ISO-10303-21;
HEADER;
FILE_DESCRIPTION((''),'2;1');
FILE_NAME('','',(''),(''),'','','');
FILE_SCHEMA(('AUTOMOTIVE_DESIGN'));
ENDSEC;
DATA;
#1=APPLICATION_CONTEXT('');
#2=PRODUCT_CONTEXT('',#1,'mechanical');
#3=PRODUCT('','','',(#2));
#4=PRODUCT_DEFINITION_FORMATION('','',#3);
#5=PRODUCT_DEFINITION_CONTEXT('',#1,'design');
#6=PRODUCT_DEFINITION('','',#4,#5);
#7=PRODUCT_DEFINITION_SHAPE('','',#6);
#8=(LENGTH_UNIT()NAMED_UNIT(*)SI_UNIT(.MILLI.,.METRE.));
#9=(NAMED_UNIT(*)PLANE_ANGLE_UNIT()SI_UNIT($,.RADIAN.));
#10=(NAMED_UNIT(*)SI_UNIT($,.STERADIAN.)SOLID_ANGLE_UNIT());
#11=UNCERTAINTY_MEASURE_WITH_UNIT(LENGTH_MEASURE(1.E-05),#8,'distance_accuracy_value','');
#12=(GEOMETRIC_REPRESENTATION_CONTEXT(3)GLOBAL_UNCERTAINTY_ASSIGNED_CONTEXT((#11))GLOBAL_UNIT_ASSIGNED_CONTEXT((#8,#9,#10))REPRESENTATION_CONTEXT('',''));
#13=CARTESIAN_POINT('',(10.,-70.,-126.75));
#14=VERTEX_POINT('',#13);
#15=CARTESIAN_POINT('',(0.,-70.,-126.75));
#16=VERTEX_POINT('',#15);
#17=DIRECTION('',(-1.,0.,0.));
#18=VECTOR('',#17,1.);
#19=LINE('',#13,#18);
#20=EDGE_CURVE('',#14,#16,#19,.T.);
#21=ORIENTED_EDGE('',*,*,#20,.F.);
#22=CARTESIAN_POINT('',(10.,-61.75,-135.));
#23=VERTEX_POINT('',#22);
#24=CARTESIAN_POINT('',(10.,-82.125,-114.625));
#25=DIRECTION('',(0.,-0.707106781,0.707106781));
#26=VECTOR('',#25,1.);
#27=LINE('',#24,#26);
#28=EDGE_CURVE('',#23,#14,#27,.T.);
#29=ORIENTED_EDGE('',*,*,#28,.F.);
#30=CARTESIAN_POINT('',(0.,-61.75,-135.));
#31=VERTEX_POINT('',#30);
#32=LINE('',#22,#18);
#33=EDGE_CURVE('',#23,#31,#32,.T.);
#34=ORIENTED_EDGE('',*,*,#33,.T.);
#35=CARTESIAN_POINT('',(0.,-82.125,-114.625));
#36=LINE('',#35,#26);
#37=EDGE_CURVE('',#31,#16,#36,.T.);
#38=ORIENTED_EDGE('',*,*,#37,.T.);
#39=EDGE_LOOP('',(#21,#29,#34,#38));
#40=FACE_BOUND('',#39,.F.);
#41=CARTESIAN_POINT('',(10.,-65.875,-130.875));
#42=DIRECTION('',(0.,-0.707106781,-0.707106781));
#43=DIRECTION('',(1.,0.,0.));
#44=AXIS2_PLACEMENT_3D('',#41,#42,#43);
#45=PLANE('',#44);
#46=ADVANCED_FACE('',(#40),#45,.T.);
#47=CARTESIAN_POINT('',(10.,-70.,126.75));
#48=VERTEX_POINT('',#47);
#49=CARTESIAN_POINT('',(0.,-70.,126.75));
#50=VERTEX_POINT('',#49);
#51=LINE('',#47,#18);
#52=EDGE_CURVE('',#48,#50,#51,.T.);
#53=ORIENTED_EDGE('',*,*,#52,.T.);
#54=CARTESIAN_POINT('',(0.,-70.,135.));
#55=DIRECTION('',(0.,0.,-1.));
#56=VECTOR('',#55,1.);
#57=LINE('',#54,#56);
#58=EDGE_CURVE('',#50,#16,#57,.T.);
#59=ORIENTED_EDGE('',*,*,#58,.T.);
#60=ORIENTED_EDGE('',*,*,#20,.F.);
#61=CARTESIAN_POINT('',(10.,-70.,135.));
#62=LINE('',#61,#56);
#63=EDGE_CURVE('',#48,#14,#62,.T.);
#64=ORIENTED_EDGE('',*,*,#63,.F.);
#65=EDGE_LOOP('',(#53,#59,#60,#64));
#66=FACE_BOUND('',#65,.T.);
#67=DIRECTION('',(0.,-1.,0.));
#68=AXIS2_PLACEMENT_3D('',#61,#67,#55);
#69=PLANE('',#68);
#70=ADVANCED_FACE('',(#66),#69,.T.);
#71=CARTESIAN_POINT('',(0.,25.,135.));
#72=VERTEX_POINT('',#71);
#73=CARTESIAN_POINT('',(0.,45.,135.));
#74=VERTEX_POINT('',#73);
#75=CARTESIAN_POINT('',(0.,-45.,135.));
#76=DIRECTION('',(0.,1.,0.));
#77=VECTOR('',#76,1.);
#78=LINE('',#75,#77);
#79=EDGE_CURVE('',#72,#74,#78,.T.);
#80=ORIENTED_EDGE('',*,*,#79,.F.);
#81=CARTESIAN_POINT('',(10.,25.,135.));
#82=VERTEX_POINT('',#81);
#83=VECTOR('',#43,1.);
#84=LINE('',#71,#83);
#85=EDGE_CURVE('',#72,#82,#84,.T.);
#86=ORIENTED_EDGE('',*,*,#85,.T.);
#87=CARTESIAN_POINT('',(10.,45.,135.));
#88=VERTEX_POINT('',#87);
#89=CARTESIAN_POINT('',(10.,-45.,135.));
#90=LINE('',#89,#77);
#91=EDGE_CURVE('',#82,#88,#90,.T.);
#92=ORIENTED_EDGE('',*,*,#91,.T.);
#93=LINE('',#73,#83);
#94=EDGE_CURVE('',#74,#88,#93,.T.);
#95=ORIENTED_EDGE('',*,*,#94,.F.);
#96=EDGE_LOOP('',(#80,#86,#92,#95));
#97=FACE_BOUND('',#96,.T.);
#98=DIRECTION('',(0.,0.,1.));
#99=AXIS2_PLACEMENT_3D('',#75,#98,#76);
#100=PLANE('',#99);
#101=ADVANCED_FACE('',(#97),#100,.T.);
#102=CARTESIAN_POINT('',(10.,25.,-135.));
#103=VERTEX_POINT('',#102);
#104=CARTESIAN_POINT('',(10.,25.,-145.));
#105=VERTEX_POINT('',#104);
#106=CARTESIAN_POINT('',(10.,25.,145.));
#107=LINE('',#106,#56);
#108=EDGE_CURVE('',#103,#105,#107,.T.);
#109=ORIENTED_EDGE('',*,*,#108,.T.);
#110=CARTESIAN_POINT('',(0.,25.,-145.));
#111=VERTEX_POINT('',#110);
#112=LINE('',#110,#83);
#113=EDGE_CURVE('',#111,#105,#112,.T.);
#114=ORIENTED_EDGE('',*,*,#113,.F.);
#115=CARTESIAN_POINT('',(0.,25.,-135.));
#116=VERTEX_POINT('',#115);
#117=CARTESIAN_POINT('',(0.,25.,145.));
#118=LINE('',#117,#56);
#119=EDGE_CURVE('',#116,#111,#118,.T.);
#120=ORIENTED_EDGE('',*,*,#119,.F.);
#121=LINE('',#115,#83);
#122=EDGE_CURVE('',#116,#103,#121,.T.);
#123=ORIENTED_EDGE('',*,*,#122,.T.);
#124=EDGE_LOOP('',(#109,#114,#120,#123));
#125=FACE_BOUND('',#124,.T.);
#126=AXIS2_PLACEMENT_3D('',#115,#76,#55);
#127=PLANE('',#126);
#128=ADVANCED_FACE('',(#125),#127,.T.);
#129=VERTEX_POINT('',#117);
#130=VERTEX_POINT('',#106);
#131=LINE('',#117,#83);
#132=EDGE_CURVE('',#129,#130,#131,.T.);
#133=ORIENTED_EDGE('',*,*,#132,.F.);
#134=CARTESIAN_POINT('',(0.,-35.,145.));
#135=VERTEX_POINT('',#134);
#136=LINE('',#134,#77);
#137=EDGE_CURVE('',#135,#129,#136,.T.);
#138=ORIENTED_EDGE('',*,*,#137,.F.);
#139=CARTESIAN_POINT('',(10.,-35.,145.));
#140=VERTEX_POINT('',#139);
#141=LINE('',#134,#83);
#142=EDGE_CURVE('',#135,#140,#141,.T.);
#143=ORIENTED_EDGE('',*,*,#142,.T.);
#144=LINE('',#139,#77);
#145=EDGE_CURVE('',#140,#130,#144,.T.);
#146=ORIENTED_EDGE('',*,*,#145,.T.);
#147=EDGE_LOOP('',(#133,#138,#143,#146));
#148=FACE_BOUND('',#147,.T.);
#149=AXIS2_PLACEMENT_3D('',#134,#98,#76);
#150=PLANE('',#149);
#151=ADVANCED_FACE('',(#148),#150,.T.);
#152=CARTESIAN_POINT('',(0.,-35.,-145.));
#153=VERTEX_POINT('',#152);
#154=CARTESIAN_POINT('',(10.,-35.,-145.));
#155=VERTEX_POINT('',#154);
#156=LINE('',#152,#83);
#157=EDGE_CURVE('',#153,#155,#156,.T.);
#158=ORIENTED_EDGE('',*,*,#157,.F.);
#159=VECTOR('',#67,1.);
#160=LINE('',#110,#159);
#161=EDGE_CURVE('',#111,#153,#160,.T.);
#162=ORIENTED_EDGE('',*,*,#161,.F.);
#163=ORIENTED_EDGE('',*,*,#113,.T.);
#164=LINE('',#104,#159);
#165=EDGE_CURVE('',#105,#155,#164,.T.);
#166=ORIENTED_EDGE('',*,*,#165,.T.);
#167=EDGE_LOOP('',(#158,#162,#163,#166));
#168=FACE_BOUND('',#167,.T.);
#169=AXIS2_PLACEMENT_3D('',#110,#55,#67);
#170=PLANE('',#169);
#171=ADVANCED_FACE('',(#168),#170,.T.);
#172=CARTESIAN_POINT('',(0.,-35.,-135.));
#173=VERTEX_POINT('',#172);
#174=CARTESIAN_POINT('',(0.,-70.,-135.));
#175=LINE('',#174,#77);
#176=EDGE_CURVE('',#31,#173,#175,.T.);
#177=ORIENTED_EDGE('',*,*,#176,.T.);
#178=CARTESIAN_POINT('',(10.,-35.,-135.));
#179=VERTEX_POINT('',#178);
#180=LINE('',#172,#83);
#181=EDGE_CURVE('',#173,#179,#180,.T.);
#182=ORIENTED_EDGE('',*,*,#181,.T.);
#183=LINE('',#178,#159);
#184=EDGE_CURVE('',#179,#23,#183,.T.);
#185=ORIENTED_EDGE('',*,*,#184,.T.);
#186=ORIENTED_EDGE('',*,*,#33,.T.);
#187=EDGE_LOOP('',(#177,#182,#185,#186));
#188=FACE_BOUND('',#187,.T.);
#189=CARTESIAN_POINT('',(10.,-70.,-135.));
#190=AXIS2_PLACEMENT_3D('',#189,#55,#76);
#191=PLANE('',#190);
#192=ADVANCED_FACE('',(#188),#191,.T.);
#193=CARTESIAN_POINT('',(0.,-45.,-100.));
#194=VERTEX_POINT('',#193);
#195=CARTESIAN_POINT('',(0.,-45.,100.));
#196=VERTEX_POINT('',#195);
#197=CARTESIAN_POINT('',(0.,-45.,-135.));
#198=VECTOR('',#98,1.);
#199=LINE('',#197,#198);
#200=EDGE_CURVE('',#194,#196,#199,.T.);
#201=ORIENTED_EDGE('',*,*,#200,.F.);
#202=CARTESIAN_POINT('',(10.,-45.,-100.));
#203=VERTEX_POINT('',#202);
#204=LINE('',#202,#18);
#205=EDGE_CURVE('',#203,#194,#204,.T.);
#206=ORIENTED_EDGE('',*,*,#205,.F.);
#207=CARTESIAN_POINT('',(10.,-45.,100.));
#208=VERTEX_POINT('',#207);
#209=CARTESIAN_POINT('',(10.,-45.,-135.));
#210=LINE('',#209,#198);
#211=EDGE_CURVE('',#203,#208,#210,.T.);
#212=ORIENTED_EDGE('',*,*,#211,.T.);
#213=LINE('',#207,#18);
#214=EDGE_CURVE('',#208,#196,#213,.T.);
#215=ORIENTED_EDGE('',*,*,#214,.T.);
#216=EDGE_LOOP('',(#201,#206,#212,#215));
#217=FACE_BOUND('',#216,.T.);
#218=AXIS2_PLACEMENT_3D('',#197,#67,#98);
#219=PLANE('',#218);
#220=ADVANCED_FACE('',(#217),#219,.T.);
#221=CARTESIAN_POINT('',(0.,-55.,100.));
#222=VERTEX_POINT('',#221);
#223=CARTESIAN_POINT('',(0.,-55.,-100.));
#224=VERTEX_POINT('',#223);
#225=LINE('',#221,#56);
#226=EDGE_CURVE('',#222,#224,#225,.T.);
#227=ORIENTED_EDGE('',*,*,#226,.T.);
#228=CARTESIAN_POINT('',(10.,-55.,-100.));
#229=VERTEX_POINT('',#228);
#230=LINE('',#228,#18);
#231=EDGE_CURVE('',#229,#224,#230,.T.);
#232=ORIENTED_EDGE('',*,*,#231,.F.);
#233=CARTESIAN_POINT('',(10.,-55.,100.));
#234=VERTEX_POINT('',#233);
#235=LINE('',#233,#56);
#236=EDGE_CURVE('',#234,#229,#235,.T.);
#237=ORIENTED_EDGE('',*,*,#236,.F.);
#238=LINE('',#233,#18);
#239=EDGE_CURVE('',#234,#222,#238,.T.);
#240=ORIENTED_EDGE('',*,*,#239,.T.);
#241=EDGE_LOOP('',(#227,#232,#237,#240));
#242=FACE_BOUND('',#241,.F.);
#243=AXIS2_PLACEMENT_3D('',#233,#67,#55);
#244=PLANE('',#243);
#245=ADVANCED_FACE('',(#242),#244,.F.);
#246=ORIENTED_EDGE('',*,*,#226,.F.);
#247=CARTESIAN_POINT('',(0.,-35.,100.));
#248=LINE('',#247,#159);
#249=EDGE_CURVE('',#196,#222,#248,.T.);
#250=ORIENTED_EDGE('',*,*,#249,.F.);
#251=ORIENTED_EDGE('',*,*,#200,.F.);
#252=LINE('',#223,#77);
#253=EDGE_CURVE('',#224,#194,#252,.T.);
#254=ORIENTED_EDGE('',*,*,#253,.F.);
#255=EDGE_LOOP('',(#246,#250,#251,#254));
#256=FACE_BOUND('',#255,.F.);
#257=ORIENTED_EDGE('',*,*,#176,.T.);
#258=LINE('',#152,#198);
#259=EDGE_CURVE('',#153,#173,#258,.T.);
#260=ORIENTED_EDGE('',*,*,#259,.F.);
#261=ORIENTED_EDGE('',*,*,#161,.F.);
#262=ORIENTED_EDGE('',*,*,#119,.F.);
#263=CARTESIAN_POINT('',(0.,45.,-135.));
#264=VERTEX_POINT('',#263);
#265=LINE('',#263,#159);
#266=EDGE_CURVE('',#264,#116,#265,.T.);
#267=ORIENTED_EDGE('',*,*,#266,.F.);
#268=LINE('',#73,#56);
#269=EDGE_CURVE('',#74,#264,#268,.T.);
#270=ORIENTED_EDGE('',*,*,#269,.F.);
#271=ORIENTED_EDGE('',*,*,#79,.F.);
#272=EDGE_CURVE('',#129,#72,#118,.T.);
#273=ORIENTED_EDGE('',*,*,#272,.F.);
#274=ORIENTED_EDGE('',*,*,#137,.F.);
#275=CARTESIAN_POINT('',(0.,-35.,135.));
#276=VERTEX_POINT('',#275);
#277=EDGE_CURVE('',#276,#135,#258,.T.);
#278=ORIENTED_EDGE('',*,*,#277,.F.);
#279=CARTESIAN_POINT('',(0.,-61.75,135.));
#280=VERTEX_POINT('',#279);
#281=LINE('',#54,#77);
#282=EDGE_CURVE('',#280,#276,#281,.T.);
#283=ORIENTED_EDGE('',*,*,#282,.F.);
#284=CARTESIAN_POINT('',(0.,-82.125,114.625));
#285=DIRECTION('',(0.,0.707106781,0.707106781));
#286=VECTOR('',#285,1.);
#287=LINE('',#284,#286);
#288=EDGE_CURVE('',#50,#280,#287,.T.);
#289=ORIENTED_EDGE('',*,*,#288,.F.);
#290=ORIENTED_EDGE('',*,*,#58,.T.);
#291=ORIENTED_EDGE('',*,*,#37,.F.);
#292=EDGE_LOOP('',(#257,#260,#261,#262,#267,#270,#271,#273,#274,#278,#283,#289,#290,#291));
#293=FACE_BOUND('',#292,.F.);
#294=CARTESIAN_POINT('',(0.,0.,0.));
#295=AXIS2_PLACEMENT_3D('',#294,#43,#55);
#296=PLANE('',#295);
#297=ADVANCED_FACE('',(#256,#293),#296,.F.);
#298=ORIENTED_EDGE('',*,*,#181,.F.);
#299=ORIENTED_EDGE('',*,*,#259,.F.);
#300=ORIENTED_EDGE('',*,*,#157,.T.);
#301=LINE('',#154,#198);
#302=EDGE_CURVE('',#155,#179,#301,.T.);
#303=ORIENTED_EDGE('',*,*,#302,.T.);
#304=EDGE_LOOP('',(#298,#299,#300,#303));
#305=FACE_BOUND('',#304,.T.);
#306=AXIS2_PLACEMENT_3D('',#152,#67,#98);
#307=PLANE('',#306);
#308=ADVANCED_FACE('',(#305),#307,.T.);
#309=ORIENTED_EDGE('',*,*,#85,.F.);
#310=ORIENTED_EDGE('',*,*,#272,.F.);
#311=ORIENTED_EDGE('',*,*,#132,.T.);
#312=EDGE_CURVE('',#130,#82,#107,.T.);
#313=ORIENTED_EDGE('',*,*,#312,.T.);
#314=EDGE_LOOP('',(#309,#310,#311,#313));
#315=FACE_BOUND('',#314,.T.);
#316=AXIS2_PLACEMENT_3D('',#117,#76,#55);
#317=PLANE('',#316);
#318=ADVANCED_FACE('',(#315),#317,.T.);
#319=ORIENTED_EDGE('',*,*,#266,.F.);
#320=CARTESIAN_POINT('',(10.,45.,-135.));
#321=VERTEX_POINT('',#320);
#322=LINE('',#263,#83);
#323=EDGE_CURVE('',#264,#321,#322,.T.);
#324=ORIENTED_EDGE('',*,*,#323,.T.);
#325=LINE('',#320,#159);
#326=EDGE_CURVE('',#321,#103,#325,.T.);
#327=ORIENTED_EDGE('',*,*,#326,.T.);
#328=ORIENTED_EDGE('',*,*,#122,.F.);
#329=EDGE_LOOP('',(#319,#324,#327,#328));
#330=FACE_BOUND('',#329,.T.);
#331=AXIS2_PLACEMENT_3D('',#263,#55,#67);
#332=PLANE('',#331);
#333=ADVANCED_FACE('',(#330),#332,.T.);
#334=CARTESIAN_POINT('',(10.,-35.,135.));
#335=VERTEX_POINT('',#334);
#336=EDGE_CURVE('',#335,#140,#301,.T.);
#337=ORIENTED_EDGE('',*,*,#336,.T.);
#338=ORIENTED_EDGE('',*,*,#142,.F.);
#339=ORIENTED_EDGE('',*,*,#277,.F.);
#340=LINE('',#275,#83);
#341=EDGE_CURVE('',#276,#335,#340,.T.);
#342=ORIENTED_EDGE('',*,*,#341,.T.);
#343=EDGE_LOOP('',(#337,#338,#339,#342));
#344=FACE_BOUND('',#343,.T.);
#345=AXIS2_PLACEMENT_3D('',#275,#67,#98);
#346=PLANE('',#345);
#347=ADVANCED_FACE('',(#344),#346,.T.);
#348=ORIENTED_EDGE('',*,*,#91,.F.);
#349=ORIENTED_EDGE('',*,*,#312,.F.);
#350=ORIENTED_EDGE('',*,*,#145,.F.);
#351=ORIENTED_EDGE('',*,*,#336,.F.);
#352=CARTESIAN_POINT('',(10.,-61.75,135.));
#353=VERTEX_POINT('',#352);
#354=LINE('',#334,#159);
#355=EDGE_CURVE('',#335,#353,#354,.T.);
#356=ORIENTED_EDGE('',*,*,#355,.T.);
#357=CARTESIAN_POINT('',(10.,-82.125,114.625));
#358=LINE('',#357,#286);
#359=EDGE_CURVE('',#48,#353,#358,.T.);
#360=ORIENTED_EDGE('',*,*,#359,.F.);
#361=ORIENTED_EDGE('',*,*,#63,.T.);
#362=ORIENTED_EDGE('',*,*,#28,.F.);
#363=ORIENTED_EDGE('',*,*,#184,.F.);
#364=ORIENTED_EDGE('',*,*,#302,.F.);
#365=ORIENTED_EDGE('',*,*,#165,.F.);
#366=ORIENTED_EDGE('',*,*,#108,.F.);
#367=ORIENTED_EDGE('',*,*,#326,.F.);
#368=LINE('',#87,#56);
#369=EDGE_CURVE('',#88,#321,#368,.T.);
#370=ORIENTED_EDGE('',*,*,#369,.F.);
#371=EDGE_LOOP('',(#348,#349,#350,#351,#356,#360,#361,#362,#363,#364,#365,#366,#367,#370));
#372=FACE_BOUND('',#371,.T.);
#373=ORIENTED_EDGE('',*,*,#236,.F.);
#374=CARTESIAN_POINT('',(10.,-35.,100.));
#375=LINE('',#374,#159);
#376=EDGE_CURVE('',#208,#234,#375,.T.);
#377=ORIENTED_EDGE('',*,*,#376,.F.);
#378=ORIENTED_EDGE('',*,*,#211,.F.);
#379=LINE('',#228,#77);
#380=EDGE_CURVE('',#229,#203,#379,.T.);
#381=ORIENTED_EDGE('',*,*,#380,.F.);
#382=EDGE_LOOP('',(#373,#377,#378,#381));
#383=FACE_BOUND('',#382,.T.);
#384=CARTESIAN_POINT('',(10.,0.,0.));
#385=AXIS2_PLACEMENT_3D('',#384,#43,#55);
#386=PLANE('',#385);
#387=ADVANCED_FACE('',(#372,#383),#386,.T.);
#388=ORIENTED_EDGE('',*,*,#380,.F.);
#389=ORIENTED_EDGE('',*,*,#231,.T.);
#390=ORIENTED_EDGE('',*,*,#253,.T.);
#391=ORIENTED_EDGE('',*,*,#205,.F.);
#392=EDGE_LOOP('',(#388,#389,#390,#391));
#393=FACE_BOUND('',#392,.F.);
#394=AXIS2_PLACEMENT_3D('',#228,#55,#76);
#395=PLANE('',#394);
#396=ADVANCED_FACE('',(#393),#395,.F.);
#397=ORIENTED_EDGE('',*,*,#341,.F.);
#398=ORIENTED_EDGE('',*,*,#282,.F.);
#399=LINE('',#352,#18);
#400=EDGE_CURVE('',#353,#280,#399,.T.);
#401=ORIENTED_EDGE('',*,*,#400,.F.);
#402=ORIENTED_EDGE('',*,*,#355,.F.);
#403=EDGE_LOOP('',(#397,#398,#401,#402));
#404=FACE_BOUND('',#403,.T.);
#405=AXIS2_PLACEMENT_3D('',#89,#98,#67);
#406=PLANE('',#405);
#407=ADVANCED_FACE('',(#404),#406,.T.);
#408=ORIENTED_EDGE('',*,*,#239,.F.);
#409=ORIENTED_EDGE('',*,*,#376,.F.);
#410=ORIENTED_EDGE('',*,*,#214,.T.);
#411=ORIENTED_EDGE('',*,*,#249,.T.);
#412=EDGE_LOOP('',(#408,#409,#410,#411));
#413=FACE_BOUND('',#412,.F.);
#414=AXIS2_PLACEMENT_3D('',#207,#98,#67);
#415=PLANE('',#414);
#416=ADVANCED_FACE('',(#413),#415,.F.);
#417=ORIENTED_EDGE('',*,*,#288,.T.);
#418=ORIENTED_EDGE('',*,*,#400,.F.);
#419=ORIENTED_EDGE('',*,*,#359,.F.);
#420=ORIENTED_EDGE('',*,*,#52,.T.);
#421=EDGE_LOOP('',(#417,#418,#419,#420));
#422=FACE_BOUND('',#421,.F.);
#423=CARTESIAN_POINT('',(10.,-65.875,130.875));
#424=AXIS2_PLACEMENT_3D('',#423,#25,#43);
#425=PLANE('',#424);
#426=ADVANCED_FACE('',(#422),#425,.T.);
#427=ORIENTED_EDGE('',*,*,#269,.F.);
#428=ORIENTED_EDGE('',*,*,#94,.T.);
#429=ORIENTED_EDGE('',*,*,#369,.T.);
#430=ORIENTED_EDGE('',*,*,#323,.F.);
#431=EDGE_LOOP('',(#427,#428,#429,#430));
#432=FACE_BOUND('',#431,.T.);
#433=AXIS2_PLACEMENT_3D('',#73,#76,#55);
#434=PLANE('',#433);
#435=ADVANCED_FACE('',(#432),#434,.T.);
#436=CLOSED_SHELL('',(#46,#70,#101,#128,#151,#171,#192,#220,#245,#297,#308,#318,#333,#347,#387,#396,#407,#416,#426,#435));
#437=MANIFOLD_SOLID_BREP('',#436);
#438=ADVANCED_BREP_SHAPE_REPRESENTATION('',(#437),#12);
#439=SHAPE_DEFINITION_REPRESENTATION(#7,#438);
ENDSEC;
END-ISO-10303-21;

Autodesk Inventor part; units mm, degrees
ref_plane "YZ Plane" through (0, 0, 0) normal (1, 0, 0) x (0, 1, 0)
ref_plane "XZ Plane" through (0, 0, 0) normal (0, 1, 0) x (-1, 0, 0)
ref_plane "XY Plane" through (0, 0, 0) normal (0, 0, 1) x (1, 0, 0)
sketch "Sketch1" plane through (0, 0, 0) normal (1, 0, 0) x (0, 1, 0)
  line L0 (-45, 135) -> (45, 135)
  line L1 (45, 135) -> (45, -135)
  line L2 (45, -135) -> (-45, -135)
  line L3 (-45, -135) -> (-45, 135)
  line L4 (-45, 135) -> (45, -135) construction
  line L5 (45, 135) -> (-45, -135) construction
  point P0 (0, 0)
  dimension "d0" = 90
  dimension "d1" = 270
extrude "Extrusion1" add sketch "Sketch1" along normal blind 10
sketch "Sketch2" plane through (0, 0, 0) normal (-1, 0, 0) x (0, 0, 1)
  line L0 (-135, -45) -> (-135, 45) projected
  line L1 (135, -45) -> (-135, -45) projected
  line L2 (135, 45) -> (135, -45) projected
  line L3 (-135, 45) -> (135, 45) projected
  line L4 (0, 45) -> (0, -5)
  line L5 (145, 25) -> (-145, 25)
  line L6 (-145, 25) -> (-145, -35)
  line L7 (-145, -35) -> (145, -35)
  line L8 (145, -35) -> (145, 25)
  line L9 (145, 25) -> (-145, -35) construction
  line L10 (-145, 25) -> (145, -35) construction
  point P0 (-135, -35)
  point P1 (-135, 25)
  point P2 (135, 25)
  point P3 (135, -35)
  dimension "d8" = 90
  dimension "d9" = 50
  dimension "d10" = 60
  dimension "d11" = 290
  dimension "d12" = 270
extrude "Extrusion2" add sketch "Sketch2" against normal blind 10 contours L7 L6 L5 L0 | L2 L5 L8 L7
sketch "Sketch3" plane through (10, 0, 0) normal (1, 0, 0) x (0, 0, -1)
  line L0 (135, -45) -> (135, -35) projected
  line L1 (135, -35) -> (145, -35) projected
  line L2 (145, -35) -> (145, 25) projected
  line L3 (145, 25) -> (135, 25) projected
  line L4 (135, 25) -> (135, 45) projected
  line L5 (135, 45) -> (-135, 45) projected
  line L6 (-135, 45) -> (-135, 25) projected
  line L7 (-135, 25) -> (-145, 25) projected
  line L8 (-145, 25) -> (-145, -35) projected
  line L9 (-145, -35) -> (-135, -35) projected
  line L10 (-135, -35) -> (-135, -45) projected
  line L11 (-135, -45) -> (135, -45) projected
  line L12 (135, -20) -> (-135, -20)
  line L13 (-135, -20) -> (-135, -70)
  line L14 (-135, -70) -> (135, -70)
  line L15 (135, -70) -> (135, -20)
  line L16 (135, -20) -> (-135, -70) construction
  line L17 (-135, -20) -> (135, -70) construction
  line L18 (100, -35) -> (-100, -35)
  line L19 (-100, -35) -> (-100, -55)
  line L20 (-100, -55) -> (100, -55)
  line L21 (100, -55) -> (100, -35)
  line L22 (100, -35) -> (-100, -55) construction
  line L23 (-100, -35) -> (100, -55) construction
  point P0 (0, 0)
  point P1 (0, -45)
  point P2 (100, -45)
  point P3 (-100, -45)
  dimension "d13" = 25
  dimension "d14" = 200
  dimension "d15" = 10
extrude "Extrusion3" add sketch "Sketch3" against normal blind 10 contours L15 L14 L13 L11 L19 L20 L21
chamfer "Chamfer1" distance 8.25 angle 45 2 edges at (5, -70, 135) (5, -70, -135)
properties part number "03_Tam_mat_truoc" material "Stainless Steel, Austenitic"
